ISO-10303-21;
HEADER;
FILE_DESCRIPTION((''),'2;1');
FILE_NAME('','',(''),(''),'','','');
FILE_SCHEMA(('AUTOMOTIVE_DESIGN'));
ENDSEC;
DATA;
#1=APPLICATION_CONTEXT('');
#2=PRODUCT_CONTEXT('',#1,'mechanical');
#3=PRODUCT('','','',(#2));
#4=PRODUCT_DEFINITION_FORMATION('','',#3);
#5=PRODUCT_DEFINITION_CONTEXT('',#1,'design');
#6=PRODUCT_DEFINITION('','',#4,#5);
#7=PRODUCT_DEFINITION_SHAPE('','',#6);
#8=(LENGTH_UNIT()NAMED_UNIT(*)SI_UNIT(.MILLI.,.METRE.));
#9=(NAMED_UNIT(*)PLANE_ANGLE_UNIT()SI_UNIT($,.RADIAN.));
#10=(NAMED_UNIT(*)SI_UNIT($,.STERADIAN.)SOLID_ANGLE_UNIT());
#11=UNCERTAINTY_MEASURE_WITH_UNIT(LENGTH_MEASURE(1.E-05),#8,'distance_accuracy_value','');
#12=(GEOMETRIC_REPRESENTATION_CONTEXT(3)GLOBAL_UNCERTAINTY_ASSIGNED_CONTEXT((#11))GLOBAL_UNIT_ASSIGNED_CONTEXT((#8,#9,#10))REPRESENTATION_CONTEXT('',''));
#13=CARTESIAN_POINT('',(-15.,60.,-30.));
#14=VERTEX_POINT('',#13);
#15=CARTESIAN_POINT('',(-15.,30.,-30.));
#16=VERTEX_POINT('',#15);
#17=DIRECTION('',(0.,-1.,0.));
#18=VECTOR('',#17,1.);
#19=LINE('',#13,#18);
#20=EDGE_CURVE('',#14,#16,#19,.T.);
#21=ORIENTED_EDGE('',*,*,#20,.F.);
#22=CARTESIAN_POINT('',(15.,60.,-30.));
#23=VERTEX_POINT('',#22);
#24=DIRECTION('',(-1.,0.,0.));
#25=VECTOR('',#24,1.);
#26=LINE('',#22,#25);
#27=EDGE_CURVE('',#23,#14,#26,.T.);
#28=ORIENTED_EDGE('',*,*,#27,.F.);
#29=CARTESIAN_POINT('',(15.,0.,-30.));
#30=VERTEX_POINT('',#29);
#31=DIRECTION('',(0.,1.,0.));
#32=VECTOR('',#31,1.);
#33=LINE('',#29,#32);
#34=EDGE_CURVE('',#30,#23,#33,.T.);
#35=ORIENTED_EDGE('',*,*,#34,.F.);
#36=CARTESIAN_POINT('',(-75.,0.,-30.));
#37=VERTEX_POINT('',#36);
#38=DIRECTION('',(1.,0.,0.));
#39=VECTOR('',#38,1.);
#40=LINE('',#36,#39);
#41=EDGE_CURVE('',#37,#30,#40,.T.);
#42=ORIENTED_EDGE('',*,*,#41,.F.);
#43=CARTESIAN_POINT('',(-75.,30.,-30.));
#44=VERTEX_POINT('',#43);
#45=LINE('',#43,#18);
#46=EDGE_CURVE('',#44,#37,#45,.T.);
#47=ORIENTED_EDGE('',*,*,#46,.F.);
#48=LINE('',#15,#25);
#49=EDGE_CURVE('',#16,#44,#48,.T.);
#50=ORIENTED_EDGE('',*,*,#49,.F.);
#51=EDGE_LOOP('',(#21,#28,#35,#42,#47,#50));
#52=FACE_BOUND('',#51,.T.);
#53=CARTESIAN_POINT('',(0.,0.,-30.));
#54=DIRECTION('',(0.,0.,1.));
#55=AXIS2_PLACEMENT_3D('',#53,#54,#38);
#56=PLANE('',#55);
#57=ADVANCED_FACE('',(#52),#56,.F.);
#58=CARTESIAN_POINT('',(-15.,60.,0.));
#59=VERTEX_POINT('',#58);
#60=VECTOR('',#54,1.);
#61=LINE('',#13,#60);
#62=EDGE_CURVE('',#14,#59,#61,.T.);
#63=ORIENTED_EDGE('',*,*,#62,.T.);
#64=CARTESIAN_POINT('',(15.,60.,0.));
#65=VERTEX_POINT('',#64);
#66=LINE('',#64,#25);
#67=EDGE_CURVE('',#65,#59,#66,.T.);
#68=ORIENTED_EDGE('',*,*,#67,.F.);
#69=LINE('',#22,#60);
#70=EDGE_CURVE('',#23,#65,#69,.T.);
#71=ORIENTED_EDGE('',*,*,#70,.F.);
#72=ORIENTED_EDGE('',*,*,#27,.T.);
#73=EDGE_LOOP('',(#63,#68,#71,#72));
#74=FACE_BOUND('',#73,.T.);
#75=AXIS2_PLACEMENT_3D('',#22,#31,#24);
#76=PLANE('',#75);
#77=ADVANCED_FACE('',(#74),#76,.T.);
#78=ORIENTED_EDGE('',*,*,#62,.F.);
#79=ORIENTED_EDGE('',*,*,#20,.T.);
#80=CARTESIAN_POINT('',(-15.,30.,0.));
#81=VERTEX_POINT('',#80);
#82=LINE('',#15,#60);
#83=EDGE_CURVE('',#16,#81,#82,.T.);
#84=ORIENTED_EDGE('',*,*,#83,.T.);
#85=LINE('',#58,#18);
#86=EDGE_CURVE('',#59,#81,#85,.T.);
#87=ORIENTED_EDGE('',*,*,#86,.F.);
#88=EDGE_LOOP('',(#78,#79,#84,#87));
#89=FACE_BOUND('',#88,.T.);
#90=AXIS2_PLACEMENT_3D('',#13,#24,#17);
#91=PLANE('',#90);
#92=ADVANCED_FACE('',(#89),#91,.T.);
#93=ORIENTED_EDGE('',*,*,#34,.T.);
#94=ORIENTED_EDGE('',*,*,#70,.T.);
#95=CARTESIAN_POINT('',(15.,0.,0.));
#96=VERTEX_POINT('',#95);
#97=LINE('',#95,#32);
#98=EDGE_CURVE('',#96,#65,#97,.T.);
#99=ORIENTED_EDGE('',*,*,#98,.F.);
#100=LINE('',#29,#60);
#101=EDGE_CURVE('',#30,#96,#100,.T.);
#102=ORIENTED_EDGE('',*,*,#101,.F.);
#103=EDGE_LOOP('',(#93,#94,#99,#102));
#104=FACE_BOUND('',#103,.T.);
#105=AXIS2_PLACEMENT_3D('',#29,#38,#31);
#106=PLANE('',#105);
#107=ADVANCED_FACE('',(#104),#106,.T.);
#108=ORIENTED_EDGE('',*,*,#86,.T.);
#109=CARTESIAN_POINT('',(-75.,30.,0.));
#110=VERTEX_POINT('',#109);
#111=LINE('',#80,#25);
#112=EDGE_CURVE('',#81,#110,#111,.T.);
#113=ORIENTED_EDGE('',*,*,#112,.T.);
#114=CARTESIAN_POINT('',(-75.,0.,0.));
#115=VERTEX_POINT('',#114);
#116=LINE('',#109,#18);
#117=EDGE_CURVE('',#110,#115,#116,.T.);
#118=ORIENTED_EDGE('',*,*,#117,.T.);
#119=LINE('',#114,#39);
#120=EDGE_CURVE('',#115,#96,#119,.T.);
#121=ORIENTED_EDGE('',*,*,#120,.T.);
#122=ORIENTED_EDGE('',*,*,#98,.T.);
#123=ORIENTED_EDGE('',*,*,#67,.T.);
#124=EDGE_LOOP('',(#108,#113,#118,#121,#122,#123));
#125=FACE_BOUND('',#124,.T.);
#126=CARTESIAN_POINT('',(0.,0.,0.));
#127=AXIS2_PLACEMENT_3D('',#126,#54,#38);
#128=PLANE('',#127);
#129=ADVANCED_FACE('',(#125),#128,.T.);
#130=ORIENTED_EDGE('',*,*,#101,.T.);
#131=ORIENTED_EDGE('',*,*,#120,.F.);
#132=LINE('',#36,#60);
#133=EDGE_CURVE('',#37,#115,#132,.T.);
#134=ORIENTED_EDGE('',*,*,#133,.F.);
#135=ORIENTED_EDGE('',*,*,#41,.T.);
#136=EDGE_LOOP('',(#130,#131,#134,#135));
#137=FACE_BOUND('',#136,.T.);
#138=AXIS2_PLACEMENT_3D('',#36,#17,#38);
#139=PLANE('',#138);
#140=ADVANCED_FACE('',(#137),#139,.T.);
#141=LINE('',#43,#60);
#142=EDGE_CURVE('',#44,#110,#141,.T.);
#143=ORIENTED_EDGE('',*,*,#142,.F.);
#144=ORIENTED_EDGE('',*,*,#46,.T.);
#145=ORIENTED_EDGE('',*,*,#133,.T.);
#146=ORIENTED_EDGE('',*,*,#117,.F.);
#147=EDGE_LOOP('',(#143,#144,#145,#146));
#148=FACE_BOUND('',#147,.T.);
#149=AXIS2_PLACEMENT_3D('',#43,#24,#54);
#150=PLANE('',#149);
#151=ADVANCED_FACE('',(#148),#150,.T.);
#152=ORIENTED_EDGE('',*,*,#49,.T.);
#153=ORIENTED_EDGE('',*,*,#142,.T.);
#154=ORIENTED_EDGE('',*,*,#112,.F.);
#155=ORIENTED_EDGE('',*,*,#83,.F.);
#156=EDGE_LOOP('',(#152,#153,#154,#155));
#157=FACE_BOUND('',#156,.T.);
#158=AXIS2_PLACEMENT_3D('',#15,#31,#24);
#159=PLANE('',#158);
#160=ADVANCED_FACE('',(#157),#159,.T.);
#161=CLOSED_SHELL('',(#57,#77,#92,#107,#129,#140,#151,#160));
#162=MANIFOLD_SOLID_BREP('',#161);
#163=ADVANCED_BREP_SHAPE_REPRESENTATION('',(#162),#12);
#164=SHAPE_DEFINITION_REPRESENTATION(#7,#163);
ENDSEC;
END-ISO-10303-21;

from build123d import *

# Parameters (mm, degrees)
BOSS_EXTRUDE1_DEPTH = 30


with BuildPart() as part:
    # Sketch1 → Boss-Extrude1 (new body)
    with BuildSketch(Plane.XY):
        Polygon((-75, 0), (15, 0), (15, 60), (-15, 60), (-15, 30), (-75, 30), align=None)
    extrude(amount=-BOSS_EXTRUDE1_DEPTH)


solid = part.part
